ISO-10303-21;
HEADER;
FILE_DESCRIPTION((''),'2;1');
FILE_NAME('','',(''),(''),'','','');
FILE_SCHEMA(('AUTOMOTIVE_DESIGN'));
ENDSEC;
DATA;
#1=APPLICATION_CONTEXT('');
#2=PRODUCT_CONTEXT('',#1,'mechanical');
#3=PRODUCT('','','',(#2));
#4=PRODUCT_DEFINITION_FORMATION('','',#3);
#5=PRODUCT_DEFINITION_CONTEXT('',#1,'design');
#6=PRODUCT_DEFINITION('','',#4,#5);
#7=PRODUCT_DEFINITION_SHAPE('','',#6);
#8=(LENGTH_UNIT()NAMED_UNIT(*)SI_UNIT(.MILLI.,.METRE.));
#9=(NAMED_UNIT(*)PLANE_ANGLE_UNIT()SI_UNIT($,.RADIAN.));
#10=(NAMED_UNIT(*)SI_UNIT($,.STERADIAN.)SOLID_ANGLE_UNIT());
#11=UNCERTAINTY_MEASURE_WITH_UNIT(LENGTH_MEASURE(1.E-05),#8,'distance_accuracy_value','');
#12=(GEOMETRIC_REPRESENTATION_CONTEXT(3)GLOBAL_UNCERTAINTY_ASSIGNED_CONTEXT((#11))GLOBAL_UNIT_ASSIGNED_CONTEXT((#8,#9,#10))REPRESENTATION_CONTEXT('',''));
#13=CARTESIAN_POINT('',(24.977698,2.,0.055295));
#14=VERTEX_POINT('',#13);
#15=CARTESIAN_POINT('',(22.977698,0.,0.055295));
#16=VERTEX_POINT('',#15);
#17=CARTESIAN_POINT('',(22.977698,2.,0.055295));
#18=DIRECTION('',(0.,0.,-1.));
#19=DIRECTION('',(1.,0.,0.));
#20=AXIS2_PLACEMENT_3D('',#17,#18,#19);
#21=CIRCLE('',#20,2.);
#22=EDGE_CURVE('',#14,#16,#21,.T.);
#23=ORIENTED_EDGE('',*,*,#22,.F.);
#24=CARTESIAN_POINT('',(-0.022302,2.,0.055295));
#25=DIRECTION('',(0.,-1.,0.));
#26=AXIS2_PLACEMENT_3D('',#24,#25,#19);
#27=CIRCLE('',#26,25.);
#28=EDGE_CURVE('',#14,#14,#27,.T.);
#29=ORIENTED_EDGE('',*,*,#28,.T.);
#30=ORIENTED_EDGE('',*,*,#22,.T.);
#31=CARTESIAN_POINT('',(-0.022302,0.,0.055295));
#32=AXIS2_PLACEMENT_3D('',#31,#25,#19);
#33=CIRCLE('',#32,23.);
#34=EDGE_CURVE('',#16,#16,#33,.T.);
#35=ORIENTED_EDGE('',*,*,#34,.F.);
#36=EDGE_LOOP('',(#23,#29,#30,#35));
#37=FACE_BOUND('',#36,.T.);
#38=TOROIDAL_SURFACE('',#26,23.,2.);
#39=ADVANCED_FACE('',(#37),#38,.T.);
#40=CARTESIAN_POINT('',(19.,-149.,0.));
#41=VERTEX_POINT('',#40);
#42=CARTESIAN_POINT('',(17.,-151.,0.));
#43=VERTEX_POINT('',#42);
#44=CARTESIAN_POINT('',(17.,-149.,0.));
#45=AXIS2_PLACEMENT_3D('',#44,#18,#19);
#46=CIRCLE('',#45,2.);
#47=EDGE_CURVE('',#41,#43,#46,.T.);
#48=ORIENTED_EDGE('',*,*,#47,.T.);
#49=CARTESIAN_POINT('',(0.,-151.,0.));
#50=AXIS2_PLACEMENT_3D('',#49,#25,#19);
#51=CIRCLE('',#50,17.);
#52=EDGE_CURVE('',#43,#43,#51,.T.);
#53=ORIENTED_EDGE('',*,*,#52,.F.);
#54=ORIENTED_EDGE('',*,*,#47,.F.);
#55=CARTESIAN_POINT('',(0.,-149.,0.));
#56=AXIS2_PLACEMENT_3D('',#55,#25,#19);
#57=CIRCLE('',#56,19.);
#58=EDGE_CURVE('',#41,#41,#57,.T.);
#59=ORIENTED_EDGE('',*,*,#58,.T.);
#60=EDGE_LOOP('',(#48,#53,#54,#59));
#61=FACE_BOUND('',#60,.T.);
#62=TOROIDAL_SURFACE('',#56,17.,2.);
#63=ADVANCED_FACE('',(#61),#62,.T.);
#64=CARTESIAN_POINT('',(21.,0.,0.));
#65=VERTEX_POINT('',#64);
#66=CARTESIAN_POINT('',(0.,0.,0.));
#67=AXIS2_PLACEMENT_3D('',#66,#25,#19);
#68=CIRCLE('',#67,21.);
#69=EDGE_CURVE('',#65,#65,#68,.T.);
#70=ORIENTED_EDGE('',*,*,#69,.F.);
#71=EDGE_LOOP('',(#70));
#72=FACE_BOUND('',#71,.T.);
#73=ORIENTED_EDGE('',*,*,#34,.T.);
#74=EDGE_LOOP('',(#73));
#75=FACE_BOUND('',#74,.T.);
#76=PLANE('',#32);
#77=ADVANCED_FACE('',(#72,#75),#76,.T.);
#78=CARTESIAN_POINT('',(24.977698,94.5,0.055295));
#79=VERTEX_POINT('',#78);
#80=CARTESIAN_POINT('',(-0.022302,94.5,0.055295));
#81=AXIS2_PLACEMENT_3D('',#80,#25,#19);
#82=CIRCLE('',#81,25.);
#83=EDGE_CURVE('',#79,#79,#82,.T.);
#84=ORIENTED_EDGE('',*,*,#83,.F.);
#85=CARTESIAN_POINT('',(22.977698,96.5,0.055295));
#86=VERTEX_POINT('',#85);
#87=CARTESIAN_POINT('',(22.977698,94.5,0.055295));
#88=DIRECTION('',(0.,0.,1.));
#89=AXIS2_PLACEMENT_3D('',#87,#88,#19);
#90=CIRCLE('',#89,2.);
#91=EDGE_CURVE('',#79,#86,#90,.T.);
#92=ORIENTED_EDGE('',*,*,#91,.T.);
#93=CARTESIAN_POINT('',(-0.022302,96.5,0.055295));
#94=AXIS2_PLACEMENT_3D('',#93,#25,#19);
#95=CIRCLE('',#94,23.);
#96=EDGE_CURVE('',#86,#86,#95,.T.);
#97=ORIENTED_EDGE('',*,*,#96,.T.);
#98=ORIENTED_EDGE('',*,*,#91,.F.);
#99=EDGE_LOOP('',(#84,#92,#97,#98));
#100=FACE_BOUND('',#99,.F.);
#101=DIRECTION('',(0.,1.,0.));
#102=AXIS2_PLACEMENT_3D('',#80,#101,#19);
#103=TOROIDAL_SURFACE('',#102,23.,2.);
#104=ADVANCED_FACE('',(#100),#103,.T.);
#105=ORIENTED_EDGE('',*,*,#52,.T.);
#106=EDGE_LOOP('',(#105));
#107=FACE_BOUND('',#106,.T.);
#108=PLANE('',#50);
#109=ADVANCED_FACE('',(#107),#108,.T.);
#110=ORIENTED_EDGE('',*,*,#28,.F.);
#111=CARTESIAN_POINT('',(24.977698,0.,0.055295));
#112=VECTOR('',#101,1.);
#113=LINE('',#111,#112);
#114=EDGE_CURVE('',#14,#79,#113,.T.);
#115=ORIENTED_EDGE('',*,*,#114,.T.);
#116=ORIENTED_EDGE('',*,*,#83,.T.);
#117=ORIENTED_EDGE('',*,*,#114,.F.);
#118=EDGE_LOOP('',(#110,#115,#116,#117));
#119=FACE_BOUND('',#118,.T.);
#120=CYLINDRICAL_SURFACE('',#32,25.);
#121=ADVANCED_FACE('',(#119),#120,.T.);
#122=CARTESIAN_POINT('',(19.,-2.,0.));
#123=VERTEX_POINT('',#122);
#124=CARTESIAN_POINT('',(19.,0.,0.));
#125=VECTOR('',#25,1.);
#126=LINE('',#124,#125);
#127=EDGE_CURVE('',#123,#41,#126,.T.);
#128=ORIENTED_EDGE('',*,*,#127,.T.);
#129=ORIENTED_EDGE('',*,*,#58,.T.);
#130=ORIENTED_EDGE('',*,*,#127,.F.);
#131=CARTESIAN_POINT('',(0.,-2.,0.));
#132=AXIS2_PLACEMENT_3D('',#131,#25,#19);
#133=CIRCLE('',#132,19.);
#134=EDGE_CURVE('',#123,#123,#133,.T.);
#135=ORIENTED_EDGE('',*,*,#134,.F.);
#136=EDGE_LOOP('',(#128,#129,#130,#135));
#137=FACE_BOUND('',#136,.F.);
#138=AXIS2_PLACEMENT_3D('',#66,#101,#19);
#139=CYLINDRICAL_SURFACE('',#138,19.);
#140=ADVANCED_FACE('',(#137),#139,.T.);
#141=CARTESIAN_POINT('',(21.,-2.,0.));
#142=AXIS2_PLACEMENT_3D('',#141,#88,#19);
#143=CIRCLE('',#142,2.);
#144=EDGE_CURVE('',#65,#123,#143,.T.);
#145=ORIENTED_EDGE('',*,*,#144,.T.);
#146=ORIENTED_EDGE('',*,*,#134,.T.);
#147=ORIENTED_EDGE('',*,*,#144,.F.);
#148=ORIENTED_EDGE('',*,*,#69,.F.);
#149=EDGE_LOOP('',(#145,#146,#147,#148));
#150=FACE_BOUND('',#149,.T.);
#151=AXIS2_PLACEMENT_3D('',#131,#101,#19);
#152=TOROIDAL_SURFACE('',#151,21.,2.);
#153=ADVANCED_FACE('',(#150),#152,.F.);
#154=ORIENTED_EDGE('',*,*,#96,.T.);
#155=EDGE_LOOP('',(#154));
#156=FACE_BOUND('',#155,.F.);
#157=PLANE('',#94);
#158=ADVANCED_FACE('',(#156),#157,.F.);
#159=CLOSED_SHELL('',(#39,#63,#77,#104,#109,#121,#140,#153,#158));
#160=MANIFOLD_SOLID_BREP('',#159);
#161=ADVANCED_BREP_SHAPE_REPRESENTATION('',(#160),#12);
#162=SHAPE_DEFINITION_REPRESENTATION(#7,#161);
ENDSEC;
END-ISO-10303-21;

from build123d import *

# Parameters (mm, degrees)
F0_R     = 19
F1_DEPTH = 151
F2_R     = 25
F3_DEPTH = 96.5
F4_R     = 2


with BuildPart() as f1:
    # F0 (on Front) → F1 (new body)
    with BuildSketch(Plane.XZ):
        Circle(F0_R)
    extrude(amount=F1_DEPTH)

    # F2 (on Front) → F3 (join)
    with BuildSketch(Plane.XZ):
        with Locations((-0.022302, 0.055295)):
            Circle(F2_R)
    extrude(amount=-F3_DEPTH)

    # F4
    f4_edges = [f1.edges().sort_by_distance(p)[0] for p in [
        (-19, -151, 0),
        (19, -75.5, 0),
        (-19, 0, 0),
        (-25.022302, 0, 0.055295),
        (-25.022302, 96.5, 0.055295),
    ]]
    fillet(f4_edges, radius=F4_R)


solid = f1.part
